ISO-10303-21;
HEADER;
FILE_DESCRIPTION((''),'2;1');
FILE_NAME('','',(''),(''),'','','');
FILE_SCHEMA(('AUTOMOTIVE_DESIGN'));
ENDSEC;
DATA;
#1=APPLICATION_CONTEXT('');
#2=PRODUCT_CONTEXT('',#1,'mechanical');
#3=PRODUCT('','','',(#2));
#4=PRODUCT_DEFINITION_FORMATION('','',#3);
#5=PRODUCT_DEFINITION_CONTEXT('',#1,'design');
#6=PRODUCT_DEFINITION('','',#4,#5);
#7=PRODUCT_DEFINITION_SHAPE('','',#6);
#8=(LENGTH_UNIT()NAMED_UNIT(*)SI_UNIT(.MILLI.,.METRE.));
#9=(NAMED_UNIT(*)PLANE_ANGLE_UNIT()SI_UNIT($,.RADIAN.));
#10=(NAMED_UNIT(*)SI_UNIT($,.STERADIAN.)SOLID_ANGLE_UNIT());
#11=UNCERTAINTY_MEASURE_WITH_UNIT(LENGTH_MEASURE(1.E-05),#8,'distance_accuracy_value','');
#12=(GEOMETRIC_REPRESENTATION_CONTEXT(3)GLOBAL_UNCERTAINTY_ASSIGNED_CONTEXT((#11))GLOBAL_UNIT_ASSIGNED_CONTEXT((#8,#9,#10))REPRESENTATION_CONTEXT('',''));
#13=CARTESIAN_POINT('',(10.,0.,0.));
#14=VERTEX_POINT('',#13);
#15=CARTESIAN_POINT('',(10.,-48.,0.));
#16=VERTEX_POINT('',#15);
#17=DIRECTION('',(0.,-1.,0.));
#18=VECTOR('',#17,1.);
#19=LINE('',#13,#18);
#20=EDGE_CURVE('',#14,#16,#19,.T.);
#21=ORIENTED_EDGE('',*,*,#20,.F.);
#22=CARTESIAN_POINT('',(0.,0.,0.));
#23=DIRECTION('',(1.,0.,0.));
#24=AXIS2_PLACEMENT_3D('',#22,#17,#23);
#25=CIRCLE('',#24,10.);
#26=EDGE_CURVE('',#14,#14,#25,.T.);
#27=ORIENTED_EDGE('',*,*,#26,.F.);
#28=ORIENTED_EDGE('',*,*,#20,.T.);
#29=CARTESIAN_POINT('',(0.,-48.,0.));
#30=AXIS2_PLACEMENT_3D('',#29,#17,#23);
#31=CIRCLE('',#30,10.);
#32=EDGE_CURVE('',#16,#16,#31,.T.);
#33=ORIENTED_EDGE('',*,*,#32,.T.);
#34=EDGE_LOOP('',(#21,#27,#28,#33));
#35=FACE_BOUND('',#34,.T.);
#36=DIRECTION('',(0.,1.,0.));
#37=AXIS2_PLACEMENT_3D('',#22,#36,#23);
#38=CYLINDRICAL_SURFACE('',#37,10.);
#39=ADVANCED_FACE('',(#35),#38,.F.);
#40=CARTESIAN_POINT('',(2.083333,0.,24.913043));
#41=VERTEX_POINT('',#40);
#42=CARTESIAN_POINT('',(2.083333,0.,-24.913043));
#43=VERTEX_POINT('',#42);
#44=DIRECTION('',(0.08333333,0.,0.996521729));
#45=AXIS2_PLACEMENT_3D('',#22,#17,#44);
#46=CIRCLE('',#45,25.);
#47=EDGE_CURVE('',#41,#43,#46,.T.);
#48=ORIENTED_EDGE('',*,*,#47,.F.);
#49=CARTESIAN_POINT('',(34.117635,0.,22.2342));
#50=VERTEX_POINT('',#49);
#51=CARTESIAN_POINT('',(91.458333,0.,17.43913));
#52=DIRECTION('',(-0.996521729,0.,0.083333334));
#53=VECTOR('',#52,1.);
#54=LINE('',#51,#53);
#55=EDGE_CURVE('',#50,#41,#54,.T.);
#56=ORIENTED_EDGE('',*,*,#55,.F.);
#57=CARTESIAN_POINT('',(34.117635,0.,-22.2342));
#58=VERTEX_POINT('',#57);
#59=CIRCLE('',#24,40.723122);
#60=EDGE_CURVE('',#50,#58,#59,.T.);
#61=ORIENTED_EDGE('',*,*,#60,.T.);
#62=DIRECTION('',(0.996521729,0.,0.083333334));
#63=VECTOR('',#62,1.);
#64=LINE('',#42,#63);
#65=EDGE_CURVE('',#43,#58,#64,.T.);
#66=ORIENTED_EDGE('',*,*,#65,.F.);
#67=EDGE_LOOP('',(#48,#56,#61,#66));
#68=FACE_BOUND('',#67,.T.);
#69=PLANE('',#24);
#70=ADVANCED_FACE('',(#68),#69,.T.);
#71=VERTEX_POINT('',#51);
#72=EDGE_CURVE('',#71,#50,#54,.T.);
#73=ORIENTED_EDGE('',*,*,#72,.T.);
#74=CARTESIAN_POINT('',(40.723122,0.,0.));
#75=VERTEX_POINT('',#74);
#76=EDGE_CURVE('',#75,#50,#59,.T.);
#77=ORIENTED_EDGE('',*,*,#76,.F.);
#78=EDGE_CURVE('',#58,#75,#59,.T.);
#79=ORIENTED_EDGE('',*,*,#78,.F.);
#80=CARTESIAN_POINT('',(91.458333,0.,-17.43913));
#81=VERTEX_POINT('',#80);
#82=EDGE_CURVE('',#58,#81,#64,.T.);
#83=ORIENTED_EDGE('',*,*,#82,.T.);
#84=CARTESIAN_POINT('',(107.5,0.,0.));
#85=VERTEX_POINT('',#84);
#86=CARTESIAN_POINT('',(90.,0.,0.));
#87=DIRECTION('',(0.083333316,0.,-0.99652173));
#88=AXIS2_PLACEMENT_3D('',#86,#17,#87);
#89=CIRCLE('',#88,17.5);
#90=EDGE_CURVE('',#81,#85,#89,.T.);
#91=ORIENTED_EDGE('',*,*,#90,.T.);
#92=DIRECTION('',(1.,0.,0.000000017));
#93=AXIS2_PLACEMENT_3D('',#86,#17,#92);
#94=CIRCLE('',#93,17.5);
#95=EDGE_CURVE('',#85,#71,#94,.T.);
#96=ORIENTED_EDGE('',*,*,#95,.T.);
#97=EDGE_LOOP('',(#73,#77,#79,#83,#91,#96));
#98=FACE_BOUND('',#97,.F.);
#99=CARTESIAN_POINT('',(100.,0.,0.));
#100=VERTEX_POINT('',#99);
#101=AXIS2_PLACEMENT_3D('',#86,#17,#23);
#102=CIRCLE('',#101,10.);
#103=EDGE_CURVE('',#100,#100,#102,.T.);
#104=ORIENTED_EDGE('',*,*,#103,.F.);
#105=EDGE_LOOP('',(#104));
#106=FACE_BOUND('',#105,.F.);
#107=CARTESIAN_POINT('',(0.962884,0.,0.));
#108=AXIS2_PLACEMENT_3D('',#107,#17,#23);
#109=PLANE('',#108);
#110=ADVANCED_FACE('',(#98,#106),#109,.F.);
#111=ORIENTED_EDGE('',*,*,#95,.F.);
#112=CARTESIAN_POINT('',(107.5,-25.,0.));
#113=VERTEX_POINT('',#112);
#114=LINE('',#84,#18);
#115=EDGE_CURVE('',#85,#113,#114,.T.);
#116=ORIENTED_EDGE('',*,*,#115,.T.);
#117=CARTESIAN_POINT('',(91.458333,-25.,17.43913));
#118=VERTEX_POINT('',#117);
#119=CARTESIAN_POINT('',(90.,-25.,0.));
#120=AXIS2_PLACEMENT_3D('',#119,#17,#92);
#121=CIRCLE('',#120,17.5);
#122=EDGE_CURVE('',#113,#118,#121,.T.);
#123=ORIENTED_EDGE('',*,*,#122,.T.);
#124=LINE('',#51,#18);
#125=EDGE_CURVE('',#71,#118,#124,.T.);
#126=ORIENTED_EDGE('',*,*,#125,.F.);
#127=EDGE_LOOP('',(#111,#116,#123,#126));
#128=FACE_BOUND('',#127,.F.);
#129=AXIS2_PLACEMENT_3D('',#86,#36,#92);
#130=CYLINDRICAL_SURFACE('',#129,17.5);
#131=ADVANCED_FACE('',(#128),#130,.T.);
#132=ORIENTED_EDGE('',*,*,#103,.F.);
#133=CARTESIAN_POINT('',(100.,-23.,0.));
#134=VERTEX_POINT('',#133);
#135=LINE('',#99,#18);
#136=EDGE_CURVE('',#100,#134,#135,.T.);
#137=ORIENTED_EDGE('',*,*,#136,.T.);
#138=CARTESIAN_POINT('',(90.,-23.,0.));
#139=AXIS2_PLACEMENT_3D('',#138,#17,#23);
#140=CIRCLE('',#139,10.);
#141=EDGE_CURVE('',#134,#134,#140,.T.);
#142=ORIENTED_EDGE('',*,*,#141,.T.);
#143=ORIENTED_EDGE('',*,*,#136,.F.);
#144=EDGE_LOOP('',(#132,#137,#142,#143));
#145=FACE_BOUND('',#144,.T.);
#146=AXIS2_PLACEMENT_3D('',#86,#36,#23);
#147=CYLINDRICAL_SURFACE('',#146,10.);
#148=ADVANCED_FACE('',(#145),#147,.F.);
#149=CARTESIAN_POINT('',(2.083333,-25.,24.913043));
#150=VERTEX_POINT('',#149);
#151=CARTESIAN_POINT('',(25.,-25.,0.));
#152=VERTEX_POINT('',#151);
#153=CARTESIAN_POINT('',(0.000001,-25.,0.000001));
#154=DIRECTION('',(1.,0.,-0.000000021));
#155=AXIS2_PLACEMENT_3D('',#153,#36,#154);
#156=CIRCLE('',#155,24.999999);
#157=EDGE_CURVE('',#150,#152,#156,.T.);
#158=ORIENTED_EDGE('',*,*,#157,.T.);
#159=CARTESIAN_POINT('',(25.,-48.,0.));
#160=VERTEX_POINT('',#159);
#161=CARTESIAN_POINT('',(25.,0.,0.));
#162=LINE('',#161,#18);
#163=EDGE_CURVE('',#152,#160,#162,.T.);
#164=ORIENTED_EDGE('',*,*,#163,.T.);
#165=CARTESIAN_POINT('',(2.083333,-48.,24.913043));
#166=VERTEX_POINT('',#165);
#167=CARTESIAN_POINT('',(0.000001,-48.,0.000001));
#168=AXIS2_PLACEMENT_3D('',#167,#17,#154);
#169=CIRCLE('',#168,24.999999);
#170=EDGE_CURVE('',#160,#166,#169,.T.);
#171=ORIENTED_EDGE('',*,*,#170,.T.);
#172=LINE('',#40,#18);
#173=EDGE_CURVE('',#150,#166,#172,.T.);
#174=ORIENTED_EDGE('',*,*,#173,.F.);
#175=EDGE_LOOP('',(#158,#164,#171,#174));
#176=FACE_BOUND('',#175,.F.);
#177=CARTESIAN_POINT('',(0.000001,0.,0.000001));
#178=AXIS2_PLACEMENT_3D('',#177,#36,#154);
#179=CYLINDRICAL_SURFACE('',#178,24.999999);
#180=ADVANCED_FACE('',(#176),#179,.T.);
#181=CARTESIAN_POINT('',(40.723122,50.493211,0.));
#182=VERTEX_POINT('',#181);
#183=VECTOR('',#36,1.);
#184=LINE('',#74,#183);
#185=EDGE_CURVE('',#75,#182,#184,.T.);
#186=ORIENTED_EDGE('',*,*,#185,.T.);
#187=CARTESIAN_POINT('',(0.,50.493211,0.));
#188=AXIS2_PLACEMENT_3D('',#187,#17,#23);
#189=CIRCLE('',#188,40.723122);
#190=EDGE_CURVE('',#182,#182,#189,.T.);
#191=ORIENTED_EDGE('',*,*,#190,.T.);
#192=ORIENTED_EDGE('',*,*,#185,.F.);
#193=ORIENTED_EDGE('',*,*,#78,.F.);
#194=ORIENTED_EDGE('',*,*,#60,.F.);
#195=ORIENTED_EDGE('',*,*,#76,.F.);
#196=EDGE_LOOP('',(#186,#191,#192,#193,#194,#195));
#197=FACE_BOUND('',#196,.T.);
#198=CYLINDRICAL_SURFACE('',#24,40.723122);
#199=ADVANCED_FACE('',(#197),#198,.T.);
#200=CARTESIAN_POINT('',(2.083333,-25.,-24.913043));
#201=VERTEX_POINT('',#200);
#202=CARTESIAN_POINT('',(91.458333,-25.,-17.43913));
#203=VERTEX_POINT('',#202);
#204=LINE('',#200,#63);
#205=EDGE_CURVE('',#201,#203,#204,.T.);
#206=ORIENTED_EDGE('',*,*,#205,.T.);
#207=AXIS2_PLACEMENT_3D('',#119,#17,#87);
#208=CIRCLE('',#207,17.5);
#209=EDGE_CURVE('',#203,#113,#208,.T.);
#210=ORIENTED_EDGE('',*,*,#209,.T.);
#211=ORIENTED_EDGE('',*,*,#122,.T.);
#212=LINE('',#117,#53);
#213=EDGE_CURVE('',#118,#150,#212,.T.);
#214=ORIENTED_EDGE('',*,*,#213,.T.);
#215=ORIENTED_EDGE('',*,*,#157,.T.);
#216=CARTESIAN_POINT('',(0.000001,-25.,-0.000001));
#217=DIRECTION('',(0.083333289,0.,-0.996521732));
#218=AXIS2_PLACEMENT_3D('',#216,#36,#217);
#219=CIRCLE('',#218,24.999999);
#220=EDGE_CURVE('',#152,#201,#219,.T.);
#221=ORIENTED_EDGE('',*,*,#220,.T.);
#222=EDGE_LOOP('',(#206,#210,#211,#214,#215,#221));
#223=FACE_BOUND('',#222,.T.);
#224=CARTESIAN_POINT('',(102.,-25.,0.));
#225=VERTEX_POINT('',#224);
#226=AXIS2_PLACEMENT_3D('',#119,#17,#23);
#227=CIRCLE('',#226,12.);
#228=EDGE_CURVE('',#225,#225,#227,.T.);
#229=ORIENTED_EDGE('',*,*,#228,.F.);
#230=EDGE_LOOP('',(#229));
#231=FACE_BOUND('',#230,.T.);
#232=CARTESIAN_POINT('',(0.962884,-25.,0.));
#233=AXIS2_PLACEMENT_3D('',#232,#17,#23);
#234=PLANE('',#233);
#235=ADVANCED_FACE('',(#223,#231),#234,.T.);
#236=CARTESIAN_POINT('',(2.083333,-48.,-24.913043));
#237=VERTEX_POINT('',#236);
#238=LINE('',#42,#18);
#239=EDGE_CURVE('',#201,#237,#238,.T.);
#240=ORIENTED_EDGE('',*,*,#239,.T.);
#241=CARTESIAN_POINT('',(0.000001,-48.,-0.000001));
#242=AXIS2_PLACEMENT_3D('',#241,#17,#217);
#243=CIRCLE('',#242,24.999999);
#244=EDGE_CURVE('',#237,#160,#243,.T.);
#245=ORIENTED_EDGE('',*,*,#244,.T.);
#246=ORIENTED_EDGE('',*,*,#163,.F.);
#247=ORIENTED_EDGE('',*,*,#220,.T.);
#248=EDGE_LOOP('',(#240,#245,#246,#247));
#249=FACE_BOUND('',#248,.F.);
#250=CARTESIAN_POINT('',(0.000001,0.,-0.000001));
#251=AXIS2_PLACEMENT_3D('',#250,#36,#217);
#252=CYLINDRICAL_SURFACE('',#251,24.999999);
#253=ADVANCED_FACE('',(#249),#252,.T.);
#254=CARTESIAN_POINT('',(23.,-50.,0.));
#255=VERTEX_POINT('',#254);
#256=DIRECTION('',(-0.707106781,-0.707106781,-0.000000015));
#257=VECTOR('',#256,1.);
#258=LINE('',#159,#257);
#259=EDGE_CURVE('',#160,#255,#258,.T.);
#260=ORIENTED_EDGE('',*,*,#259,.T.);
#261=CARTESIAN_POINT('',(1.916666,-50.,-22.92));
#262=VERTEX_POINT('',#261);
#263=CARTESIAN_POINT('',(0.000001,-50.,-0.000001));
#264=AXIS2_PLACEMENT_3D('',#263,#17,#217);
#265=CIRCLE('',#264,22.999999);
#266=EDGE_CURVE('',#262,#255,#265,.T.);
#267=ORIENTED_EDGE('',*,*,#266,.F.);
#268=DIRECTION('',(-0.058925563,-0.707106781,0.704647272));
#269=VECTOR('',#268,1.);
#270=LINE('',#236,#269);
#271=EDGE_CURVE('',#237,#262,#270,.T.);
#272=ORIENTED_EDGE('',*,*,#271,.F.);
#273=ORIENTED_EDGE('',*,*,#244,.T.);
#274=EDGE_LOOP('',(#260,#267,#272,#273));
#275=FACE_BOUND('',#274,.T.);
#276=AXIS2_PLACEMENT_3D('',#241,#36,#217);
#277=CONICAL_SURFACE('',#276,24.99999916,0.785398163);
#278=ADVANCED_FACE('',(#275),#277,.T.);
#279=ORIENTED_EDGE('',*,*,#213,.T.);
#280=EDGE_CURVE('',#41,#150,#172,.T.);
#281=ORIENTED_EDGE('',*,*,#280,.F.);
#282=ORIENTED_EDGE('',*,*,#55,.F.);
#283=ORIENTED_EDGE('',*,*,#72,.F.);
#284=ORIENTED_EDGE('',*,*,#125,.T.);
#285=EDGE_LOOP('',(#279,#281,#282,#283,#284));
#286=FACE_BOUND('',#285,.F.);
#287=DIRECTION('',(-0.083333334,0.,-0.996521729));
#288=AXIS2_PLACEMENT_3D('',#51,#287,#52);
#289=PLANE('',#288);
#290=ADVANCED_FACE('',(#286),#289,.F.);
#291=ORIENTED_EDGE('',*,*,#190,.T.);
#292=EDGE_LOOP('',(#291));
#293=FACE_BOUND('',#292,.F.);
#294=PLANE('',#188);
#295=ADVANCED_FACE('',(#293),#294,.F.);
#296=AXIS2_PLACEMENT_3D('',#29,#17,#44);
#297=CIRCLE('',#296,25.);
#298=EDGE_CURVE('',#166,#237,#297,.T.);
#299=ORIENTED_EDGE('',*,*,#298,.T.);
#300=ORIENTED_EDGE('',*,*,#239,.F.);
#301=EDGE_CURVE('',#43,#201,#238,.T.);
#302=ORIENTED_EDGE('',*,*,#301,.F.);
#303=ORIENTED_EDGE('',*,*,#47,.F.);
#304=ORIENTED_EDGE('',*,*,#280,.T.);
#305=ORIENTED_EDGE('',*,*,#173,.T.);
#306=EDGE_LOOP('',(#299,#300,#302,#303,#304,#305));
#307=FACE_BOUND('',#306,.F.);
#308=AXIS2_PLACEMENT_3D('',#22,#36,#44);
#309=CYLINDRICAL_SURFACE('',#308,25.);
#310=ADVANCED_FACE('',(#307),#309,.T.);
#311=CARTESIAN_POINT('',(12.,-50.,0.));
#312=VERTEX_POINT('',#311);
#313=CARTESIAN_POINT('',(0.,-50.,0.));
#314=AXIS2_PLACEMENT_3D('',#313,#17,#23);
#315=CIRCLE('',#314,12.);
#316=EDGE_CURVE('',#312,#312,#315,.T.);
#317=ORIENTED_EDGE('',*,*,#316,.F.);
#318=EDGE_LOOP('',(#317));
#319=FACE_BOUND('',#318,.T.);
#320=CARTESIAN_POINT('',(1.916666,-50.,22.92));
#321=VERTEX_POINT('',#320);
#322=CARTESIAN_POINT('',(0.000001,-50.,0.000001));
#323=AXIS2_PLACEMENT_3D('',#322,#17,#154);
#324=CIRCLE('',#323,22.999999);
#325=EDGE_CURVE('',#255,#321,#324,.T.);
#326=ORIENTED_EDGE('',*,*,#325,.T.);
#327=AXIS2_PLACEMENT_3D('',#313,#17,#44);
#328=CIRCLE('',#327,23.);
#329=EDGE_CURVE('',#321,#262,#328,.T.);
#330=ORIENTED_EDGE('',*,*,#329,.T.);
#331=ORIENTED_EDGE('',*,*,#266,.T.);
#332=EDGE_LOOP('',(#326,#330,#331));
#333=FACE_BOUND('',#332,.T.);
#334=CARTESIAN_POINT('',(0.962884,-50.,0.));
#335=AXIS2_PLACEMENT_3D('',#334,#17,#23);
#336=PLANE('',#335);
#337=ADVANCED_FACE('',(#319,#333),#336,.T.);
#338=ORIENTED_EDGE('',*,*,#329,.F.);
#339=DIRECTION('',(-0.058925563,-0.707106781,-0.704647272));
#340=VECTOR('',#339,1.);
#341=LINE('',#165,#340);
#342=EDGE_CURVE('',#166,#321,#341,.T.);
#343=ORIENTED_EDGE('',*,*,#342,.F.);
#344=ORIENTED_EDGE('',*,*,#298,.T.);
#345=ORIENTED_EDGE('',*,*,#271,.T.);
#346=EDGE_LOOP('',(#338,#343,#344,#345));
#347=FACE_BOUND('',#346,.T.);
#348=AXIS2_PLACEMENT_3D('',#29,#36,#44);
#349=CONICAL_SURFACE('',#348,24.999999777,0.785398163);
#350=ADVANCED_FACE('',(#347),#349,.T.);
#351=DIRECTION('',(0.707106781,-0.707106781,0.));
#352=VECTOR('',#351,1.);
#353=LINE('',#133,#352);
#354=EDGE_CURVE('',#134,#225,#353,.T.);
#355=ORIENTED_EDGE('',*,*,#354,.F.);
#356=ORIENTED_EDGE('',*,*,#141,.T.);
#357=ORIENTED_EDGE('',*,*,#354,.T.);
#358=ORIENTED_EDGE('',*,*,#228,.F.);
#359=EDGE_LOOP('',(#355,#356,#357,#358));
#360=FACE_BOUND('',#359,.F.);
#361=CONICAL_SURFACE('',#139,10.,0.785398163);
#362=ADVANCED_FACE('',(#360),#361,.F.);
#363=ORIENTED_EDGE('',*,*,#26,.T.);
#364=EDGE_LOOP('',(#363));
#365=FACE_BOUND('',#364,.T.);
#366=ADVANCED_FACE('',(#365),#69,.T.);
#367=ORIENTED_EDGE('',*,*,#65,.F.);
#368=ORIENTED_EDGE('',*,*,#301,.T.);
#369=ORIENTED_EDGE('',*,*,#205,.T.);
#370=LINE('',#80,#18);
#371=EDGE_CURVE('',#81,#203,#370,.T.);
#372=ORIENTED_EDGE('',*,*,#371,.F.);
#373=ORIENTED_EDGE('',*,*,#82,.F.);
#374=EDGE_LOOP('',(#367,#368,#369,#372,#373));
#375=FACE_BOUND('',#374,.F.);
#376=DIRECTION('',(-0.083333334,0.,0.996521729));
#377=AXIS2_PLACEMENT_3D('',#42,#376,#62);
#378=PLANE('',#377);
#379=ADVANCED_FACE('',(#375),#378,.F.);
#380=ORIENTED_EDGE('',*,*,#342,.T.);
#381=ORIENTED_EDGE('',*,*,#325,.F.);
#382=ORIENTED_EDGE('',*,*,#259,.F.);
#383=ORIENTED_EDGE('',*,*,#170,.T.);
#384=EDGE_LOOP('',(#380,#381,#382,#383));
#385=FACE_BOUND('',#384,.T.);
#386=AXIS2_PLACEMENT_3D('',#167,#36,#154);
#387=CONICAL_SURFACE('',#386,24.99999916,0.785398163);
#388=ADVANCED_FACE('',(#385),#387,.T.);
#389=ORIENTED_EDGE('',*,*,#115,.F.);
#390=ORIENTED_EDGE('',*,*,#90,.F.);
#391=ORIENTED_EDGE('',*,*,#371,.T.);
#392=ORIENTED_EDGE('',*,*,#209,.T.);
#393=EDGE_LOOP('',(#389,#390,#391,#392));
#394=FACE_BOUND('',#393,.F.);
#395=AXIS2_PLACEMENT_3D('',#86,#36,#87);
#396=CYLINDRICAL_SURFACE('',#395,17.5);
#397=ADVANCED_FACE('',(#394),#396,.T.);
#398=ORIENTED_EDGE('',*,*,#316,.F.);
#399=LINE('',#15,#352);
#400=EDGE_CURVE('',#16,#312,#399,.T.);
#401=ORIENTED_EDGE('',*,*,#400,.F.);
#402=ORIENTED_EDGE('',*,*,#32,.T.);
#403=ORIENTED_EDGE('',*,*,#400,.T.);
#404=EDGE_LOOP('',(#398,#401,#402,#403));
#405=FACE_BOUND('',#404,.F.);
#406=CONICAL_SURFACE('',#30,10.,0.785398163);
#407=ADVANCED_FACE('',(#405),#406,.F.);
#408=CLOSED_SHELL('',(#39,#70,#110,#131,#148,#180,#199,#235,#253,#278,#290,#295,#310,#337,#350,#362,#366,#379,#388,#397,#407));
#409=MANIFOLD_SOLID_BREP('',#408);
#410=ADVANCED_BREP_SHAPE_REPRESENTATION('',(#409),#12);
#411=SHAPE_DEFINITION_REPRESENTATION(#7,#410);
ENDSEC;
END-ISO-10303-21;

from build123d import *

# Parameters (mm, degrees)
F0_R     = 10
F1_DEPTH = 25
F2_DEPTH = 50
F3_SIZE  = 2
F4_R     = 40.723122
F5_DEPTH = 50.493211


with BuildPart() as f1:
    # F0 (on Front) → F1 (new body)
    with BuildSketch(Plane.XZ):
        with BuildLine():
            ThreePointArc((2.083333, -24.913043), (18.399502, -16.92508), (25, 0))
            ThreePointArc((25, 0), (18.399502, 16.92508), (2.083333, 24.913043))
            ThreePointArc((2.083333, 24.913043), (-25, 0), (2.083333, -24.913043))
        make_face()
        Circle(F0_R, mode=Mode.SUBTRACT)
        with BuildLine():
            ThreePointArc((2.083333, 24.913043), (18.399502, 16.92508), (25, 0))
            ThreePointArc((25, 0), (18.399502, -16.92508), (2.083333, -24.913043))
            Line((2.083333, -24.913043), (91.458333, -17.43913))
            ThreePointArc((91.458333, -17.43913), (72.5, 0), (91.458333, 17.43913))
            Line((91.458333, 17.43913), (2.083333, 24.913043))
        make_face()
        with BuildLine():
            ThreePointArc((107.5, 0), (102.879651, 11.847556), (91.458333, 17.43913))
            ThreePointArc((91.458333, 17.43913), (72.5, 0), (91.458333, -17.43913))
            ThreePointArc((91.458333, -17.43913), (102.879651, -11.847556), (107.5, 0))
        make_face()
        with Locations((90, 0)):
            Circle(F0_R, mode=Mode.SUBTRACT)
    extrude(amount=F1_DEPTH)

    # F0 (on Front) → F2 (join)
    with BuildSketch(Plane.XZ):
        with BuildLine():
            ThreePointArc((2.083333, -24.913043), (18.399502, -16.92508), (25, 0))
            ThreePointArc((25, 0), (18.399502, 16.92508), (2.083333, 24.913043))
            ThreePointArc((2.083333, 24.913043), (-25, 0), (2.083333, -24.913043))
        make_face()
        Circle(F0_R, mode=Mode.SUBTRACT)
    extrude(amount=F2_DEPTH)

    # F3
    f3_edges = [f1.edges().sort_by_distance(p)[0] for p in [
        (-2.083333, -50, 24.913043),
        (-10, -50, 0),
        (80, -25, 0),
    ]]
    chamfer(f3_edges, length=F3_SIZE)

    # F4 (on Front) → F5 (join)
    with BuildSketch(Plane.XZ):
        Circle(F4_R)
    extrude(amount=-F5_DEPTH)


solid = f1.part
